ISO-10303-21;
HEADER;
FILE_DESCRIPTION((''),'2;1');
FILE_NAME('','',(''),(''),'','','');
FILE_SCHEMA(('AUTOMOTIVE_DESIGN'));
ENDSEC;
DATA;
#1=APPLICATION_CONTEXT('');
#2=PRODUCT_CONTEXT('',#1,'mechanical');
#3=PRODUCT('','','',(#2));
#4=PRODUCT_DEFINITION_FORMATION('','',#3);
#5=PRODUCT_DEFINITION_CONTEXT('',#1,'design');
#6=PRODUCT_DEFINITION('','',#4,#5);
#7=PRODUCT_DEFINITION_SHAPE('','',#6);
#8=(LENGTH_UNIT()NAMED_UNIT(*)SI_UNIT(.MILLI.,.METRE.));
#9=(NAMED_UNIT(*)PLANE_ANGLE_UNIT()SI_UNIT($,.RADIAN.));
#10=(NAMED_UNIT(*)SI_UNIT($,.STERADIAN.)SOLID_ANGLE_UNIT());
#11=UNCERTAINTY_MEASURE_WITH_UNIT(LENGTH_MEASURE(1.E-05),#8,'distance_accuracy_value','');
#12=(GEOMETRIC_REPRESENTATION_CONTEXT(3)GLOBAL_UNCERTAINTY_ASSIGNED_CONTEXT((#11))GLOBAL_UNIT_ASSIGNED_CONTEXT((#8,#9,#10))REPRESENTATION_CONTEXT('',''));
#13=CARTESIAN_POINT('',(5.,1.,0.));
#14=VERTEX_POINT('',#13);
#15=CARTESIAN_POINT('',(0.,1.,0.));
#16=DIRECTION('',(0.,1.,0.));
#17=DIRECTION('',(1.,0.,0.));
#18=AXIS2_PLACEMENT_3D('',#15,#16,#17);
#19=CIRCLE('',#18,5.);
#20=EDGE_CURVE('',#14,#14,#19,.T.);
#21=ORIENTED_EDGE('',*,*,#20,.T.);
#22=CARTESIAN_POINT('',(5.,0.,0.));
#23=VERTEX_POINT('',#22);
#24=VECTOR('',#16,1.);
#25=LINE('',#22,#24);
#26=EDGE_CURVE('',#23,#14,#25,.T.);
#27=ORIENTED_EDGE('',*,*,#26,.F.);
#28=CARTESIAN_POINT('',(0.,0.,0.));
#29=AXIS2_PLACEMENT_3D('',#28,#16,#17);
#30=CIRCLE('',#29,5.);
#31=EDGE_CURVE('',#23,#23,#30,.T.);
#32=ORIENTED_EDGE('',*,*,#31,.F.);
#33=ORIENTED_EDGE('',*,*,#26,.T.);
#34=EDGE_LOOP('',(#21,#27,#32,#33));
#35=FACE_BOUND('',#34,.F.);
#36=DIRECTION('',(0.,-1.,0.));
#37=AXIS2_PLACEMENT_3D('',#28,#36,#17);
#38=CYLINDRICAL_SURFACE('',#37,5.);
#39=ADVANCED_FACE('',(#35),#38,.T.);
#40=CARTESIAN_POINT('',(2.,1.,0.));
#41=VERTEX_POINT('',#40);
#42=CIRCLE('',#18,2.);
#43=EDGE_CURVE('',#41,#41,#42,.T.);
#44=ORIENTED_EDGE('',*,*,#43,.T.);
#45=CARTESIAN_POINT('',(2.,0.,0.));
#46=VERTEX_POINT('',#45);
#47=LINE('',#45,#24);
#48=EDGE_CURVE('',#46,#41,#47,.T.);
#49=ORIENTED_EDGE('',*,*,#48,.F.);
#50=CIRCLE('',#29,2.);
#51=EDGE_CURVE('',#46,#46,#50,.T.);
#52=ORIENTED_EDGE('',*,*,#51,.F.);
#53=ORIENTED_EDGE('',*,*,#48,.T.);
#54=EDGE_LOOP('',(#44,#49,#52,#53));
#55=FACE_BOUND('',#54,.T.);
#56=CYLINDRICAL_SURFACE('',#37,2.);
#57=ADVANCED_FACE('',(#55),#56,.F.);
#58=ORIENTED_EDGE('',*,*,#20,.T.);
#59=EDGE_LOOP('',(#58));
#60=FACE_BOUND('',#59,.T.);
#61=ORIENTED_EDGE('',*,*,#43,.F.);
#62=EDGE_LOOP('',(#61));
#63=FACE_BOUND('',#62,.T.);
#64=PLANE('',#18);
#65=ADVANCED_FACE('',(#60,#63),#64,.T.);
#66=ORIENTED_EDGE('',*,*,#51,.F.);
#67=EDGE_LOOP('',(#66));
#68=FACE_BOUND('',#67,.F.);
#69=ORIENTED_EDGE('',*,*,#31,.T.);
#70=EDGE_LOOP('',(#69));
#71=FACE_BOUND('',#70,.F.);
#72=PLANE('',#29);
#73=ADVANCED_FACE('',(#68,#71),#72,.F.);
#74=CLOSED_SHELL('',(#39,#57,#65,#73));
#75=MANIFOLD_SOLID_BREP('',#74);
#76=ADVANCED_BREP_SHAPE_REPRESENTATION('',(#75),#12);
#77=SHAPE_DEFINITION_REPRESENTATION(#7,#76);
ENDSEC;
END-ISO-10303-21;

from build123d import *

# Parameters (mm, degrees)
SKETCH1_R           = 5
SKETCH1_R_2         = 2
BOSS_EXTRUDE1_DEPTH = 1


with BuildPart() as part:
    # Sketch1 → Boss-Extrude1 (new body)
    with BuildSketch(Plane(origin=(0, 0, 0), x_dir=(1, 0, 0), z_dir=(0, 1, 0))):
        Circle(SKETCH1_R)
        Circle(SKETCH1_R_2, mode=Mode.SUBTRACT)
    extrude(amount=BOSS_EXTRUDE1_DEPTH)


solid = part.part
